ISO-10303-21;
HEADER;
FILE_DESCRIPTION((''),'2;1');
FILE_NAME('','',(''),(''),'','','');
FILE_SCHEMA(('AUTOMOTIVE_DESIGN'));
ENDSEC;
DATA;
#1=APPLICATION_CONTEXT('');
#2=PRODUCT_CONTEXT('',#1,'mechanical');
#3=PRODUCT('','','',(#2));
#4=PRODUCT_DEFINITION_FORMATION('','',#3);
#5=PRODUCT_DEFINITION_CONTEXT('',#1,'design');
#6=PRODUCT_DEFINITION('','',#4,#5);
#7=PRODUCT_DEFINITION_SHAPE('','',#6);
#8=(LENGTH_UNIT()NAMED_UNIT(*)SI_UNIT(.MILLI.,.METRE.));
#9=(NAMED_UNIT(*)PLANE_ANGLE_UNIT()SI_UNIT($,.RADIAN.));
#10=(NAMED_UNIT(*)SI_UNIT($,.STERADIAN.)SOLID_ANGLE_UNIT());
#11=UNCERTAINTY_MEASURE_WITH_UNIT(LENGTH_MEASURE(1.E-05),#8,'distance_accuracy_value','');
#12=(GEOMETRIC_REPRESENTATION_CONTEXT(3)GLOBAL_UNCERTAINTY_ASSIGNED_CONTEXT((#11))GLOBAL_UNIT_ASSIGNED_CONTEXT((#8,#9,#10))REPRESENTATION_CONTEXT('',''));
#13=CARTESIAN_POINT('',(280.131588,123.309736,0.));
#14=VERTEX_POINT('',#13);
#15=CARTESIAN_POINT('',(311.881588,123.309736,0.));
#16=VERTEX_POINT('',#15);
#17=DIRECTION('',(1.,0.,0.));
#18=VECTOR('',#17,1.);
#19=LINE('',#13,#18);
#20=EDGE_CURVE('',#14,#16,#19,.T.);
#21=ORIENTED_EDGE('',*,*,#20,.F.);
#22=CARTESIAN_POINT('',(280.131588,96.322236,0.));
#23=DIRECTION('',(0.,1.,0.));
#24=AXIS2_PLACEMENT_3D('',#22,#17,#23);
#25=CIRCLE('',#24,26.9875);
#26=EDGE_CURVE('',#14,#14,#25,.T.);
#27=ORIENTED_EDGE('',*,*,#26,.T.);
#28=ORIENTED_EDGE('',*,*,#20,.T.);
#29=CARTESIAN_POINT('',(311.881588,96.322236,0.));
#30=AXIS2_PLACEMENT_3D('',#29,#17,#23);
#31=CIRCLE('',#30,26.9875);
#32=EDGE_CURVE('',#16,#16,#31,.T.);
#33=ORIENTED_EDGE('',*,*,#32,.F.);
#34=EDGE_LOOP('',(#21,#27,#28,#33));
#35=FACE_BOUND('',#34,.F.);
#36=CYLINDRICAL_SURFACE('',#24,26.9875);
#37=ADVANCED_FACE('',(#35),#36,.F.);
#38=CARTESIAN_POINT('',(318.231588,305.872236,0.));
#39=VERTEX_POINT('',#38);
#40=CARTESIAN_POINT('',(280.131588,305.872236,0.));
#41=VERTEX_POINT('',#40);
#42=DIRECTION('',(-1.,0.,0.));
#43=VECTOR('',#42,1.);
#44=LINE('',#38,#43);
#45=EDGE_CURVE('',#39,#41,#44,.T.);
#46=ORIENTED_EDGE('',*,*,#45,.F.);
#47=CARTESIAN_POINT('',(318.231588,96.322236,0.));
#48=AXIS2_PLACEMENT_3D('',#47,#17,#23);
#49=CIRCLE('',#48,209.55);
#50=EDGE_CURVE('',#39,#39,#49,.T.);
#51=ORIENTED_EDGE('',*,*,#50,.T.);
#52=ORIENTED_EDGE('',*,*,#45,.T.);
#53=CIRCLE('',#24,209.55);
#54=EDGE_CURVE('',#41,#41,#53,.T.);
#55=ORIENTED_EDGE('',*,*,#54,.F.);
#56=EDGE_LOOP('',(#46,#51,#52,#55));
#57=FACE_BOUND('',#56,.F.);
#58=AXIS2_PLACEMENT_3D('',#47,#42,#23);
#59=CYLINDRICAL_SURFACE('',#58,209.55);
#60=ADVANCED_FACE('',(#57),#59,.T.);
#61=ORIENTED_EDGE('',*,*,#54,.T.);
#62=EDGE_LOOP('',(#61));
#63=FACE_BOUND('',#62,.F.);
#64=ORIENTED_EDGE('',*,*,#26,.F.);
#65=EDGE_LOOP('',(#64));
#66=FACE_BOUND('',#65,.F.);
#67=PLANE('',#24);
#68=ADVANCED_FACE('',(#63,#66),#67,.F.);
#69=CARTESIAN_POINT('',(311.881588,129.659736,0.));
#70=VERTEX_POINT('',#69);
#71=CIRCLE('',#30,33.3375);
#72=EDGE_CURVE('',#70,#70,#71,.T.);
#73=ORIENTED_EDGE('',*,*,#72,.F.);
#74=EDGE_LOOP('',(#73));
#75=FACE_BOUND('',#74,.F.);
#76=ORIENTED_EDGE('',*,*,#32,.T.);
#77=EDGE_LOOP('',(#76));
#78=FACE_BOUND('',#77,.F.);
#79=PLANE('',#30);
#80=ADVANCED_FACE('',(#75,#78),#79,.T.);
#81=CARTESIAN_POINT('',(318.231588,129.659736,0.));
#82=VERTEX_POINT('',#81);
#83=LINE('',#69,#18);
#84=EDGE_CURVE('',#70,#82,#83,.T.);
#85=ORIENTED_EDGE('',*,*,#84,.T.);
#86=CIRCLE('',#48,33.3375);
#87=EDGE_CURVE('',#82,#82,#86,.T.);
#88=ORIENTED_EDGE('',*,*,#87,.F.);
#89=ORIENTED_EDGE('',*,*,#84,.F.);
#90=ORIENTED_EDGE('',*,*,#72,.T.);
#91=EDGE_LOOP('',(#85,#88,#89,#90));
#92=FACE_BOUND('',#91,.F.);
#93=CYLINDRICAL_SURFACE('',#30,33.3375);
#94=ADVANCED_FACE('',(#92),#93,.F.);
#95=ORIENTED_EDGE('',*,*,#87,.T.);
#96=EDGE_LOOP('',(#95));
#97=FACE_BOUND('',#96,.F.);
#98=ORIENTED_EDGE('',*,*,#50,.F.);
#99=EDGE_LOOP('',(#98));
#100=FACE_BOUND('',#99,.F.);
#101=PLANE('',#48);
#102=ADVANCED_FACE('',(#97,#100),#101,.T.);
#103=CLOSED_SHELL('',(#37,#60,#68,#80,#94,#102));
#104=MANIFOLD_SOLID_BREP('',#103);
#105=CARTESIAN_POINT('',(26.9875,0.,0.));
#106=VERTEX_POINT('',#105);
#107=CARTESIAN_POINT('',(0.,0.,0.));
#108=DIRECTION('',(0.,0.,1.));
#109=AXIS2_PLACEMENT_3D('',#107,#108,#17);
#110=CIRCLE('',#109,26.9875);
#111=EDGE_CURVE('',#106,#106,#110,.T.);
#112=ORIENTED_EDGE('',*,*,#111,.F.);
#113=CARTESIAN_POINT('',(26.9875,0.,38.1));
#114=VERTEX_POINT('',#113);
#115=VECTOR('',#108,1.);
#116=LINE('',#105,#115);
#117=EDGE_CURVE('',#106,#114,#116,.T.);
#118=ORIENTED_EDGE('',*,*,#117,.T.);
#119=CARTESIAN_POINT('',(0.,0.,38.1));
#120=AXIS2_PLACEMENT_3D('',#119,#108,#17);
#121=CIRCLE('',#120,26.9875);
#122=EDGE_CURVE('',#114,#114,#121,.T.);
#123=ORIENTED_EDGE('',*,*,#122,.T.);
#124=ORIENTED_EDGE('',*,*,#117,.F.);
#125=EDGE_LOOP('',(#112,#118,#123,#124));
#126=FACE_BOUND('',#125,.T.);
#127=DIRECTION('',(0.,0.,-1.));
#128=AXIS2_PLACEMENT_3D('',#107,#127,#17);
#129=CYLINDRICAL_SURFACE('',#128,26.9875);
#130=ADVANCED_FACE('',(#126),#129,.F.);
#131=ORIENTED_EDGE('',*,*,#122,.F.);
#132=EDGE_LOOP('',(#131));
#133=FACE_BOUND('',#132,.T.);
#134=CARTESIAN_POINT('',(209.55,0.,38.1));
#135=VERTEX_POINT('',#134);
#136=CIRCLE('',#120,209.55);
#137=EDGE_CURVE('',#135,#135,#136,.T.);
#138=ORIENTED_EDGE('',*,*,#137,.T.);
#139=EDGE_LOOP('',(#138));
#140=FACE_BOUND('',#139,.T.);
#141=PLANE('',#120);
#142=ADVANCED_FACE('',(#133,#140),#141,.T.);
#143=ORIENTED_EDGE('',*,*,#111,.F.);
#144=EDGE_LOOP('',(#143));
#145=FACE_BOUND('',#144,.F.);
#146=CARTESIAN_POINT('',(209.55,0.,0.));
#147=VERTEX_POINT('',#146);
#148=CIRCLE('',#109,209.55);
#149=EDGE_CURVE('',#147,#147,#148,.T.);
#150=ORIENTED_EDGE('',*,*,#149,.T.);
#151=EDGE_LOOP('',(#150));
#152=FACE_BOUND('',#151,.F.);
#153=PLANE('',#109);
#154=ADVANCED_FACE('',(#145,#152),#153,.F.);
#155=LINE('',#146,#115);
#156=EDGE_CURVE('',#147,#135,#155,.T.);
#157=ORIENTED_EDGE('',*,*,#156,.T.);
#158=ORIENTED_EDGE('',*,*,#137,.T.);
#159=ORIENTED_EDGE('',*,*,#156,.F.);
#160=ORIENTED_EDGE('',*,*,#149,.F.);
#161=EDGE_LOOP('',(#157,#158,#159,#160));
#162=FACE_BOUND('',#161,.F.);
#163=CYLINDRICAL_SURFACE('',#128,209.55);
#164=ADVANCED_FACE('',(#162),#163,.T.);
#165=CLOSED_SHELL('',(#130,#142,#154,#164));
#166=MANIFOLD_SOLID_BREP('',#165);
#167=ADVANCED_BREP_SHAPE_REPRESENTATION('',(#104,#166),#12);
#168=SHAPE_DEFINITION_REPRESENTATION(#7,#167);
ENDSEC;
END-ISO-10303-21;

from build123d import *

# Parameters (mm, degrees)
F0_R     = 209.55
F0_R_2   = 26.9875
F1_DEPTH = 38.1


with BuildPart() as f1:
    # F0 (on Top) → F1 (new body)
    with BuildSketch(Plane.XY):
        Circle(F0_R)
        Circle(F0_R_2, mode=Mode.SUBTRACT)
    extrude(amount=F1_DEPTH)


with BuildPart() as f3:
    # F2 (on Top) → F3 (revolve)
    with BuildSketch(Plane.XY):
        Polygon((280.131588, 276.402519), (280.131588, 123.309736), (311.881588, 123.309736), (311.881588, 129.659736), (318.231588, 129.659736), (318.231588, 276.402519), (318.231588, 305.872236), (280.131588, 305.872236), align=None)
    revolve(axis=Axis((309.918866, 96.322236, 0), (1, 0, 0)))


solid = Compound([f1.part, f3.part])
